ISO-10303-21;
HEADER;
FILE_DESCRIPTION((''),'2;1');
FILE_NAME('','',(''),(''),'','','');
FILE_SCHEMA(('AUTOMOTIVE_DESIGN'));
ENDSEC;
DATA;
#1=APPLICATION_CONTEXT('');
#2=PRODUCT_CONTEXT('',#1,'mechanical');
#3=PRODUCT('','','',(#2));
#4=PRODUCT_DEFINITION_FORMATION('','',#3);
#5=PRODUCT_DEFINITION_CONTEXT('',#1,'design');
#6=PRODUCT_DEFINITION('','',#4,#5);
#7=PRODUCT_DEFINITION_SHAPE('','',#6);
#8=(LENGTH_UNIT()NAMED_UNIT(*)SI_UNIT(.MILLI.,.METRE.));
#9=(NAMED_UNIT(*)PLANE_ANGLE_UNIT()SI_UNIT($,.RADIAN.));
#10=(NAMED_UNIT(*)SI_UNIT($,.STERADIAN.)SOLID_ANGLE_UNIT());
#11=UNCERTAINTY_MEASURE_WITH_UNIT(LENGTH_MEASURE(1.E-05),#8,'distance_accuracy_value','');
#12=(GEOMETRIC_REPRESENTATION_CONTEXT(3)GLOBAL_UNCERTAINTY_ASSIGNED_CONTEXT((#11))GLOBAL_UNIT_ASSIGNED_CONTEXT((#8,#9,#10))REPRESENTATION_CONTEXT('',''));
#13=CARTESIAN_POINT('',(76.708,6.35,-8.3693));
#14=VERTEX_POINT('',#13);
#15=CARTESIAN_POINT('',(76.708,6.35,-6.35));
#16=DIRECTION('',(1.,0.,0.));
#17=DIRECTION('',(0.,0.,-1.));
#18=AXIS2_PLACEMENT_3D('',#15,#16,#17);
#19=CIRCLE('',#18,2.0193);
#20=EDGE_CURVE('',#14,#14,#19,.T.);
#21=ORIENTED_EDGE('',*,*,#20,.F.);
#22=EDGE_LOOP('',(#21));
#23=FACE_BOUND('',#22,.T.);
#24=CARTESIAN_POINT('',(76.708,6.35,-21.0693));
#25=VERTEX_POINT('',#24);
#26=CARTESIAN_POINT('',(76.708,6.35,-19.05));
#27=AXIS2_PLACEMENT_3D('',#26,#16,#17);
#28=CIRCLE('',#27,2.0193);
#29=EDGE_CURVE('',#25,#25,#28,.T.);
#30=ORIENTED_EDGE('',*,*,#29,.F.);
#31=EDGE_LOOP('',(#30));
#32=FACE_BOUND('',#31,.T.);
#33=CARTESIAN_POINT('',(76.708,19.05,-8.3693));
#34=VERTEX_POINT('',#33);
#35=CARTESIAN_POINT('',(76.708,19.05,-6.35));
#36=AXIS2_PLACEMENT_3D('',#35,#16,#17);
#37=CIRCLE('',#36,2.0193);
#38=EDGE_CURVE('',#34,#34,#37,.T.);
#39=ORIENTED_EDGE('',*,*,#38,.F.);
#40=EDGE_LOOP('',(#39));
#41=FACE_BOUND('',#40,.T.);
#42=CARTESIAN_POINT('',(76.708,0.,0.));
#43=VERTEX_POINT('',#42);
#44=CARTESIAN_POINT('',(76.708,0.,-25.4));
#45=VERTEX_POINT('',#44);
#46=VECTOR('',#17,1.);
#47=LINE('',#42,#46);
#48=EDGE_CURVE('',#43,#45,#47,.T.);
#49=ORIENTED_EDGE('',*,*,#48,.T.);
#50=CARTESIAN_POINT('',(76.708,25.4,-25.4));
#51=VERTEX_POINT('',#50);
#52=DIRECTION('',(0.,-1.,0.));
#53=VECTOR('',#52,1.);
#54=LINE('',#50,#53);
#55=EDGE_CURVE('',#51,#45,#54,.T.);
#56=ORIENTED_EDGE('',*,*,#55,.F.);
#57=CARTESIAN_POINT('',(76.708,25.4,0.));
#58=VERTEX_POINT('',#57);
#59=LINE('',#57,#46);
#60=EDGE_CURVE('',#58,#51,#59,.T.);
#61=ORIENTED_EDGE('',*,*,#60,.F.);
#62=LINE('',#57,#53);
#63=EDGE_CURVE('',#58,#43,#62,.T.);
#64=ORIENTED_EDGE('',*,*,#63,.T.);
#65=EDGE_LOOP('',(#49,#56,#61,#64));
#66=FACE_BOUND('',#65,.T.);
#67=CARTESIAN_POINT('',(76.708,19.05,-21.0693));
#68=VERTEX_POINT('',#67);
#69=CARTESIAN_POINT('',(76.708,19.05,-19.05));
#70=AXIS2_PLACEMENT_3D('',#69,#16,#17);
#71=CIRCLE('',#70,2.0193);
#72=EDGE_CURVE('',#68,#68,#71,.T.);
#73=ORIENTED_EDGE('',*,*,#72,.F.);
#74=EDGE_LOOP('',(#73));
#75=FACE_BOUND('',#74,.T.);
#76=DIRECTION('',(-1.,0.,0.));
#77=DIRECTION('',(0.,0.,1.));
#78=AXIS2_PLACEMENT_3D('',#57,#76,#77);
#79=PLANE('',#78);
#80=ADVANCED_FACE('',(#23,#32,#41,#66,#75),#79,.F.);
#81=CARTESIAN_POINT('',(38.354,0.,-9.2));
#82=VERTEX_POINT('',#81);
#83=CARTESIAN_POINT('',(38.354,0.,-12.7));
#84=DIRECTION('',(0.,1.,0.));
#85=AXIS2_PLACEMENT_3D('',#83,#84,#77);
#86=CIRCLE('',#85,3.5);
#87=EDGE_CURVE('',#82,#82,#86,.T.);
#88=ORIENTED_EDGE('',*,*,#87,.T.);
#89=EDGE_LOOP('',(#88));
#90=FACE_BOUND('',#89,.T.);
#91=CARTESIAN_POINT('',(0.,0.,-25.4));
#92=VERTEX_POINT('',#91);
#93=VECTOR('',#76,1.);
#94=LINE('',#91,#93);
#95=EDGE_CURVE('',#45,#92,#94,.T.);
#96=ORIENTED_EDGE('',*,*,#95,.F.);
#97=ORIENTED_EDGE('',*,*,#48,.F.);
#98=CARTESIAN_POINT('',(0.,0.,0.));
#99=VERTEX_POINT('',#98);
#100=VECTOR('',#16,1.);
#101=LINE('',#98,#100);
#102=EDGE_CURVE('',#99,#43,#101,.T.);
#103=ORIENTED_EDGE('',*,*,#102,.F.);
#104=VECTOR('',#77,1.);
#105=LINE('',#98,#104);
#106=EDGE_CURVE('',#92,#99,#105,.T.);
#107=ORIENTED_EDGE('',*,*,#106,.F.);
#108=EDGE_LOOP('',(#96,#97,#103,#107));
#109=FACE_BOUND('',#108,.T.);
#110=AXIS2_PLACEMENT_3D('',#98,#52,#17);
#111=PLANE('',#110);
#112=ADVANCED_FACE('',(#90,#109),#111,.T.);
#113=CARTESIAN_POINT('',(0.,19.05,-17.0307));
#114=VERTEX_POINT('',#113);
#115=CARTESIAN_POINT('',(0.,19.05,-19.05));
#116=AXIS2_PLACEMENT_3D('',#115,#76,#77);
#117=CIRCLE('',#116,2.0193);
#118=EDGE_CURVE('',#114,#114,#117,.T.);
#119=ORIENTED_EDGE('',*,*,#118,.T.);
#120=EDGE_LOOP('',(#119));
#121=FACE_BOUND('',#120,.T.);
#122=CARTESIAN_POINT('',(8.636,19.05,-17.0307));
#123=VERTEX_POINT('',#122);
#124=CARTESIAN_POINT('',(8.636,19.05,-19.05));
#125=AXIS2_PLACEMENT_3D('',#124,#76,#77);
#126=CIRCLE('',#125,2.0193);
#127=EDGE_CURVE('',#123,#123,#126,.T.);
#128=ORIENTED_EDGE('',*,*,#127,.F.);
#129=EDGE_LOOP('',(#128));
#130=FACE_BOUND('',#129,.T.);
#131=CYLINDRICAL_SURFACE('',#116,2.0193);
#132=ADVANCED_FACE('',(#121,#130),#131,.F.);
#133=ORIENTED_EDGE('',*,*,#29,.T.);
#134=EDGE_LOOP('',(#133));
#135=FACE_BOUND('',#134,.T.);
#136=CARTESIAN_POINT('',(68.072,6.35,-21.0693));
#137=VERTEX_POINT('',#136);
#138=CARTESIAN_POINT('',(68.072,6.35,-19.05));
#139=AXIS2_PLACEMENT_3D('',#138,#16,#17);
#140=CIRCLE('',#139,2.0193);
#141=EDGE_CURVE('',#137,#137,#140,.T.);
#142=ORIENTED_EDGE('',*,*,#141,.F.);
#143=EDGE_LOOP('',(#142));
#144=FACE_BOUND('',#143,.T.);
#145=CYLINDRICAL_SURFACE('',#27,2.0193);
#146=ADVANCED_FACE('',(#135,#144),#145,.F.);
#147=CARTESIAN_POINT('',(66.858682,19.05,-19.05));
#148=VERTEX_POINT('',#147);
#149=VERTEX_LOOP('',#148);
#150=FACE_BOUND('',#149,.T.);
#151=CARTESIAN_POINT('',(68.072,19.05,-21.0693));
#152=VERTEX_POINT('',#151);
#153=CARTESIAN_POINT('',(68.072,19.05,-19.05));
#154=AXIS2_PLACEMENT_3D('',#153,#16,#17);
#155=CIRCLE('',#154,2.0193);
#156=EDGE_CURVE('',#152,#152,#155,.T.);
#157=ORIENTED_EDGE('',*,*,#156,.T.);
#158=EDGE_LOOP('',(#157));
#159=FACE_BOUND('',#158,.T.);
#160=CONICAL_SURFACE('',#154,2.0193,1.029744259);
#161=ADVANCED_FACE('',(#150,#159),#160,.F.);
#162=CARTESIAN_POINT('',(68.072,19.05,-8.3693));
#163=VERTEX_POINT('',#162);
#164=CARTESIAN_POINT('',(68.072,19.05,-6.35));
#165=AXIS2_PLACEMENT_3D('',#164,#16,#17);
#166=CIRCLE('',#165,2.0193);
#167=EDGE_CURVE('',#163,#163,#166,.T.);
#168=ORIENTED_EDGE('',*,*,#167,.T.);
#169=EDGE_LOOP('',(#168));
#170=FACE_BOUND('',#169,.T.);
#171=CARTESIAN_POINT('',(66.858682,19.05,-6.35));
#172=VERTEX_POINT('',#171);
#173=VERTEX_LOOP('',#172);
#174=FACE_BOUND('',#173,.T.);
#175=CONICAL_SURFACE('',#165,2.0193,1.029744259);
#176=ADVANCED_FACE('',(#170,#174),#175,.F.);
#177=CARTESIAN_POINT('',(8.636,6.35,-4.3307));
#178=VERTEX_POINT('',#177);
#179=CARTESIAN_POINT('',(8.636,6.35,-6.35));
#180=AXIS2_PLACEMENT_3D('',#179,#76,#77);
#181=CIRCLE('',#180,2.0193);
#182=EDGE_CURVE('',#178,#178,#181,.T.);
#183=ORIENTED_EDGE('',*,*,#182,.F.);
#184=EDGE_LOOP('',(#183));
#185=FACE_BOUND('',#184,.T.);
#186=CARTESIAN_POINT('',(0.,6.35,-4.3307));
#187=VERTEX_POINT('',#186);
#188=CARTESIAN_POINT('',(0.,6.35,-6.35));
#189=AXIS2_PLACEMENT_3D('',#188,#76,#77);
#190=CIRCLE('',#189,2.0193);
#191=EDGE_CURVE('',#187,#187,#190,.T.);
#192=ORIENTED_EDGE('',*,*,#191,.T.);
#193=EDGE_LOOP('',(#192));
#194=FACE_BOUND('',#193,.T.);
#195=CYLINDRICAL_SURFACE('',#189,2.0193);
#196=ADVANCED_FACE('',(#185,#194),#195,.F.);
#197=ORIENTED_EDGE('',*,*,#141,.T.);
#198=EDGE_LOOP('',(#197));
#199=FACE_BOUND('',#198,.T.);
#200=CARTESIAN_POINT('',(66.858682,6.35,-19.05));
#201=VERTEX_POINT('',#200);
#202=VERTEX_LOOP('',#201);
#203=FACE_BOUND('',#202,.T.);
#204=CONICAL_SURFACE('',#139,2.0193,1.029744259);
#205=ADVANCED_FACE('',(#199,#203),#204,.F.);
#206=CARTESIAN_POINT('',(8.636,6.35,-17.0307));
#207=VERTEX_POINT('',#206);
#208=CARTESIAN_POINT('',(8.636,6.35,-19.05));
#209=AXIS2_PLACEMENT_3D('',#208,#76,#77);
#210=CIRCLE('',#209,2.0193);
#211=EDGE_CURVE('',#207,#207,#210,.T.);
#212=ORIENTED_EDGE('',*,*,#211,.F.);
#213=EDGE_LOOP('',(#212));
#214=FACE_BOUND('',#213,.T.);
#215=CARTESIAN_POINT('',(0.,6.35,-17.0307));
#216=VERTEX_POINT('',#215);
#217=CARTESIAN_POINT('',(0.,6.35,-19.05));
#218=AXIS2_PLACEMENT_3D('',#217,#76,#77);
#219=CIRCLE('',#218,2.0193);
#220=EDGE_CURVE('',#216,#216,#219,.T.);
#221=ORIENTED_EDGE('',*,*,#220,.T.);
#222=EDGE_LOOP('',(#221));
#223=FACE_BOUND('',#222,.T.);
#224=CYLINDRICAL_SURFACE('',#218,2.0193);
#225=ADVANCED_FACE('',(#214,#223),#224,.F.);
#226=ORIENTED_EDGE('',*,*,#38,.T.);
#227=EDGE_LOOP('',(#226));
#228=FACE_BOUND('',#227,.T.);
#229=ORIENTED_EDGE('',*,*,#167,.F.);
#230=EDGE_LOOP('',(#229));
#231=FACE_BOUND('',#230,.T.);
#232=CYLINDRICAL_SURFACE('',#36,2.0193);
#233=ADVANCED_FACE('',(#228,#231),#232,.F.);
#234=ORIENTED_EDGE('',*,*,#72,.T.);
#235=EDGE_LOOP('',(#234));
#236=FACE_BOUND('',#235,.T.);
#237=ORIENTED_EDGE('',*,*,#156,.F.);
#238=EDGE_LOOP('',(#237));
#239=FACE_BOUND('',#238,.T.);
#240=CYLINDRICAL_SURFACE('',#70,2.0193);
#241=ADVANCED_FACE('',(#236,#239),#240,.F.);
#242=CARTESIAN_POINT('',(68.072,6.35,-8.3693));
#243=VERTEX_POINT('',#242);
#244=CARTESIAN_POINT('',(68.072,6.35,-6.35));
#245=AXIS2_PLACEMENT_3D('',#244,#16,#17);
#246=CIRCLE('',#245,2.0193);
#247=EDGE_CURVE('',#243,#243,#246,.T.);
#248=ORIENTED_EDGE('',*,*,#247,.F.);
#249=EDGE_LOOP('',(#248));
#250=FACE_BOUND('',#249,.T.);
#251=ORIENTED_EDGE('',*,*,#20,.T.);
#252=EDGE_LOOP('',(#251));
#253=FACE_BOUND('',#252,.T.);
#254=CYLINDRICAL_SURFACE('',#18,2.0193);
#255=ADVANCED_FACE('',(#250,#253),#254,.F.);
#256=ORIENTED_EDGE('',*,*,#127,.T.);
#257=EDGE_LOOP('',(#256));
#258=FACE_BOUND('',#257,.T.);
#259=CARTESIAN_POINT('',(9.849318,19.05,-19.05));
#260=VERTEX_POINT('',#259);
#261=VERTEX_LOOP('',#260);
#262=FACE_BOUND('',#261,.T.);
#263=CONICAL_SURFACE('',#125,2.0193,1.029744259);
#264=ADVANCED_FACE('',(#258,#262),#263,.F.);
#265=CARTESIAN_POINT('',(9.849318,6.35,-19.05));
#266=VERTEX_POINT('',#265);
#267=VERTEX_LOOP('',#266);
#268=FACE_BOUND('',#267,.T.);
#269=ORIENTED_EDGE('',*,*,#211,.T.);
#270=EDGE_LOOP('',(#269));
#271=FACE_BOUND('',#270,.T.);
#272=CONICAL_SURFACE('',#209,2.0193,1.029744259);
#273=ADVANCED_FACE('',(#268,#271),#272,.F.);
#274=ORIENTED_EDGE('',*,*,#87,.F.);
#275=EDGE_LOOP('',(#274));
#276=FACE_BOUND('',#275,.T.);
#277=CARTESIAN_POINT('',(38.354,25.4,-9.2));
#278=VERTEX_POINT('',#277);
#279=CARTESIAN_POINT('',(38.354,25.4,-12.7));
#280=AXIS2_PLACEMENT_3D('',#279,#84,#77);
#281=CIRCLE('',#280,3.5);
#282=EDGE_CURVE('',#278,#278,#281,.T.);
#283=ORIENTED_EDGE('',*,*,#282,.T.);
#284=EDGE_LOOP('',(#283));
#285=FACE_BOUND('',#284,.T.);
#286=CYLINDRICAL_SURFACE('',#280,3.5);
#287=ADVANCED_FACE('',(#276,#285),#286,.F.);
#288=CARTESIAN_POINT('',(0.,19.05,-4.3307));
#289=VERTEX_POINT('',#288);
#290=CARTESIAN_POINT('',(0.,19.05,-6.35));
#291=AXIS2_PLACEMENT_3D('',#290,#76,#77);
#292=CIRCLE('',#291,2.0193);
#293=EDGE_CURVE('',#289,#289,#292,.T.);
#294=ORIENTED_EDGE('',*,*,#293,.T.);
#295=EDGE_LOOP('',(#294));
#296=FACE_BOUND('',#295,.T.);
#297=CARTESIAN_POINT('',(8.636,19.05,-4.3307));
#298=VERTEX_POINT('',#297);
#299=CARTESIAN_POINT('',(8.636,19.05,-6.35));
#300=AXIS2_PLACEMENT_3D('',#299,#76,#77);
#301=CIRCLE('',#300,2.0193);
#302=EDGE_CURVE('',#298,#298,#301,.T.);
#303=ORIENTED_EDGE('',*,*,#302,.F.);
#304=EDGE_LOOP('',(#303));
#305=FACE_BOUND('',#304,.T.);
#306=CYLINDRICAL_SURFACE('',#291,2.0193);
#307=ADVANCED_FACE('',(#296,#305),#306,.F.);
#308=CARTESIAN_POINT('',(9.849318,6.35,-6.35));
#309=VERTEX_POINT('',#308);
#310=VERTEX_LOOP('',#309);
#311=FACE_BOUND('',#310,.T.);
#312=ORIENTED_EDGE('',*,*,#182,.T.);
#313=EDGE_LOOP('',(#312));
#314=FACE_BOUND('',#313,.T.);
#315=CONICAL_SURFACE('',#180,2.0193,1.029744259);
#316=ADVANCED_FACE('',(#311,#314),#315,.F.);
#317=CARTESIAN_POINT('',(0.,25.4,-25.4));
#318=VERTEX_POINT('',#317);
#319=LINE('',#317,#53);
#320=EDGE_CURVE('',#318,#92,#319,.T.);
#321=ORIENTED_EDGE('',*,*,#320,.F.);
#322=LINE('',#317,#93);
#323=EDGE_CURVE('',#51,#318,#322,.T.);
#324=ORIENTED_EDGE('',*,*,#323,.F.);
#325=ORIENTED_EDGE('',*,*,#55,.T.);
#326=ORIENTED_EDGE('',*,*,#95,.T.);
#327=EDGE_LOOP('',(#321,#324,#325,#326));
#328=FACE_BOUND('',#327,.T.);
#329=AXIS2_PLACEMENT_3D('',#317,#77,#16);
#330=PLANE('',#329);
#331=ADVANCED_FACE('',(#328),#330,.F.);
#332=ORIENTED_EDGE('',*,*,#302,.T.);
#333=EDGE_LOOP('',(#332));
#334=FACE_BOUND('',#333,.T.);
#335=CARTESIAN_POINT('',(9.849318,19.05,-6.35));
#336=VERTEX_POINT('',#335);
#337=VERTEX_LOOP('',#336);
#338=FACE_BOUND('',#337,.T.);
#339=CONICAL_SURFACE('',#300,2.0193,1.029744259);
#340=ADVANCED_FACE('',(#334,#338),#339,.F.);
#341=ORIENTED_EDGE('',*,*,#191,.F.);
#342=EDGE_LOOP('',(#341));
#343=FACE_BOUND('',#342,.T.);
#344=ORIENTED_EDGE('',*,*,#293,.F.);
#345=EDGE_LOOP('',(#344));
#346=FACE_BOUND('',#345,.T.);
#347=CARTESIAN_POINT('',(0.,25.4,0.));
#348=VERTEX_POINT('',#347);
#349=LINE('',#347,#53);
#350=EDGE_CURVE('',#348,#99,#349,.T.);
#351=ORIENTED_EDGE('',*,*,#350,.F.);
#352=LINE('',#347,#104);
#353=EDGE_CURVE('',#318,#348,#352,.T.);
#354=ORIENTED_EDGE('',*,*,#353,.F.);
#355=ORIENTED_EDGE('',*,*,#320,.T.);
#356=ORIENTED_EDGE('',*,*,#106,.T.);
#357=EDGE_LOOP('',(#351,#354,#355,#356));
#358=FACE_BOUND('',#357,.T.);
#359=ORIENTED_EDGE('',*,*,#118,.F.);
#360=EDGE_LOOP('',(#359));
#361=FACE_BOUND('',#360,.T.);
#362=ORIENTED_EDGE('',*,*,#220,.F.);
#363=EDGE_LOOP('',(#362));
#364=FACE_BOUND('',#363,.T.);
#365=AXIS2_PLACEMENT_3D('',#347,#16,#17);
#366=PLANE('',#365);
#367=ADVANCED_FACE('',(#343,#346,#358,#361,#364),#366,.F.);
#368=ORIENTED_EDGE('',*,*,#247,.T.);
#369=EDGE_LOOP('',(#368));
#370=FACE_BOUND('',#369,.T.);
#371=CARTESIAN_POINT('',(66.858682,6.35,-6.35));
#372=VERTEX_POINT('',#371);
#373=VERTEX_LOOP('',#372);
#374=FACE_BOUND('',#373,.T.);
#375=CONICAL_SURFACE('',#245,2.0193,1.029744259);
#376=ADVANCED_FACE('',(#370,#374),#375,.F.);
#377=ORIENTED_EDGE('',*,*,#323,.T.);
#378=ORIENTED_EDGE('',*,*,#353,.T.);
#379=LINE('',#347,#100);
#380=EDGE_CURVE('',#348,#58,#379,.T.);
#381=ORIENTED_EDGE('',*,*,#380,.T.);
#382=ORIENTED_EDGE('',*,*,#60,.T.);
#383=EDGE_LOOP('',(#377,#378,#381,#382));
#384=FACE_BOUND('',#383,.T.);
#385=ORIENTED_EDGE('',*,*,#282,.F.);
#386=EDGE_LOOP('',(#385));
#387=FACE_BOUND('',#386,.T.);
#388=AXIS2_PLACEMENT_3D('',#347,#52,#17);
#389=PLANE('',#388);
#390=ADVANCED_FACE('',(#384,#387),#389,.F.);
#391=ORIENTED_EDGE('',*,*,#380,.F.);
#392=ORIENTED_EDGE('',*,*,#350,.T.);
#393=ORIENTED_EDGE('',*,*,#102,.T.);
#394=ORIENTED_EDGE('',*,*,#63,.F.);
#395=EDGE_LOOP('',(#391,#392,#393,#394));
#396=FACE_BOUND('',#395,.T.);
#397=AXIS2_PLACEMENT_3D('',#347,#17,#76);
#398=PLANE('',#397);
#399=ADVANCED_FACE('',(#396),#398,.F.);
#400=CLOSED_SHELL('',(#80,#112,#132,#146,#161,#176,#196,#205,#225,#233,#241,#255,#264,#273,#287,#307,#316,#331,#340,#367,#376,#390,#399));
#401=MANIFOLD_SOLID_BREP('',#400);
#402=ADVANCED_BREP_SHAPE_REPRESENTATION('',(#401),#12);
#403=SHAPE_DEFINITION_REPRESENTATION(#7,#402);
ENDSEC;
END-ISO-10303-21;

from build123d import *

# Parameters (mm, degrees)
SKETCH1_W                  = 76.708
SKETCH1_H                  = 25.4
BOSS_EXTRUDE1_DEPTH        = 25.4
F_10_32_TAPPED_HOLE1_D     = 4.0386
F_10_32_TAPPED_HOLE1_DEPTH = 8.636
F_10_32_TAPPED_HOLE1_TIP   = 1.213317848
F_10_32_TAPPED_HOLE2_D     = 4.0386
F_10_32_TAPPED_HOLE2_DEPTH = 8.636
F_10_32_TAPPED_HOLE2_TIP   = 1.213317848
F_6_0MM_DOWEL_HOLE1_D      = 7


with BuildPart() as part:
    # Sketch1 → Boss-Extrude1 (new body)
    with BuildSketch(Plane(origin=(0, 0, 0), x_dir=(1, 0, 0), z_dir=(0, 1, 0))):
        with Locations((38.354, 12.7)):
            Rectangle(SKETCH1_W, SKETCH1_H)
    extrude(amount=BOSS_EXTRUDE1_DEPTH)

    # #10-32 Tapped Hole1
    with Locations(Plane(origin=(76.708, 0, 0), x_dir=(0, 0, -1), z_dir=(1, 0, 0))):
        with Locations((6.35, 19.05), (19.05, 19.05), (19.05, 6.35), (6.35, 6.35)):
            Hole(F_10_32_TAPPED_HOLE1_D / 2, depth=F_10_32_TAPPED_HOLE1_DEPTH)
            with Locations((0, 0, -(F_10_32_TAPPED_HOLE1_DEPTH + F_10_32_TAPPED_HOLE1_TIP / 2))):  # 118° drill point
                Cone(0, F_10_32_TAPPED_HOLE1_D / 2, F_10_32_TAPPED_HOLE1_TIP, mode=Mode.SUBTRACT)

    # #10-32 Tapped Hole2
    with Locations(Plane.ZY):
        with Locations((-19.05, 19.05), (-6.35, 19.05), (-6.35, 6.35), (-19.05, 6.35)):
            Hole(F_10_32_TAPPED_HOLE2_D / 2, depth=F_10_32_TAPPED_HOLE2_DEPTH)
            with Locations((0, 0, -(F_10_32_TAPPED_HOLE2_DEPTH + F_10_32_TAPPED_HOLE2_TIP / 2))):  # 118° drill point
                Cone(0, F_10_32_TAPPED_HOLE2_D / 2, F_10_32_TAPPED_HOLE2_TIP, mode=Mode.SUBTRACT)

    # Ø6.0mm Dowel Hole1 (through all)
    with Locations(Plane(origin=(0, 25.4, 0), x_dir=(1, 0, 0), z_dir=(0, 1, 0))):
        with Locations((38.354, 12.7)):
            Hole(F_6_0MM_DOWEL_HOLE1_D / 2)


solid = part.part
